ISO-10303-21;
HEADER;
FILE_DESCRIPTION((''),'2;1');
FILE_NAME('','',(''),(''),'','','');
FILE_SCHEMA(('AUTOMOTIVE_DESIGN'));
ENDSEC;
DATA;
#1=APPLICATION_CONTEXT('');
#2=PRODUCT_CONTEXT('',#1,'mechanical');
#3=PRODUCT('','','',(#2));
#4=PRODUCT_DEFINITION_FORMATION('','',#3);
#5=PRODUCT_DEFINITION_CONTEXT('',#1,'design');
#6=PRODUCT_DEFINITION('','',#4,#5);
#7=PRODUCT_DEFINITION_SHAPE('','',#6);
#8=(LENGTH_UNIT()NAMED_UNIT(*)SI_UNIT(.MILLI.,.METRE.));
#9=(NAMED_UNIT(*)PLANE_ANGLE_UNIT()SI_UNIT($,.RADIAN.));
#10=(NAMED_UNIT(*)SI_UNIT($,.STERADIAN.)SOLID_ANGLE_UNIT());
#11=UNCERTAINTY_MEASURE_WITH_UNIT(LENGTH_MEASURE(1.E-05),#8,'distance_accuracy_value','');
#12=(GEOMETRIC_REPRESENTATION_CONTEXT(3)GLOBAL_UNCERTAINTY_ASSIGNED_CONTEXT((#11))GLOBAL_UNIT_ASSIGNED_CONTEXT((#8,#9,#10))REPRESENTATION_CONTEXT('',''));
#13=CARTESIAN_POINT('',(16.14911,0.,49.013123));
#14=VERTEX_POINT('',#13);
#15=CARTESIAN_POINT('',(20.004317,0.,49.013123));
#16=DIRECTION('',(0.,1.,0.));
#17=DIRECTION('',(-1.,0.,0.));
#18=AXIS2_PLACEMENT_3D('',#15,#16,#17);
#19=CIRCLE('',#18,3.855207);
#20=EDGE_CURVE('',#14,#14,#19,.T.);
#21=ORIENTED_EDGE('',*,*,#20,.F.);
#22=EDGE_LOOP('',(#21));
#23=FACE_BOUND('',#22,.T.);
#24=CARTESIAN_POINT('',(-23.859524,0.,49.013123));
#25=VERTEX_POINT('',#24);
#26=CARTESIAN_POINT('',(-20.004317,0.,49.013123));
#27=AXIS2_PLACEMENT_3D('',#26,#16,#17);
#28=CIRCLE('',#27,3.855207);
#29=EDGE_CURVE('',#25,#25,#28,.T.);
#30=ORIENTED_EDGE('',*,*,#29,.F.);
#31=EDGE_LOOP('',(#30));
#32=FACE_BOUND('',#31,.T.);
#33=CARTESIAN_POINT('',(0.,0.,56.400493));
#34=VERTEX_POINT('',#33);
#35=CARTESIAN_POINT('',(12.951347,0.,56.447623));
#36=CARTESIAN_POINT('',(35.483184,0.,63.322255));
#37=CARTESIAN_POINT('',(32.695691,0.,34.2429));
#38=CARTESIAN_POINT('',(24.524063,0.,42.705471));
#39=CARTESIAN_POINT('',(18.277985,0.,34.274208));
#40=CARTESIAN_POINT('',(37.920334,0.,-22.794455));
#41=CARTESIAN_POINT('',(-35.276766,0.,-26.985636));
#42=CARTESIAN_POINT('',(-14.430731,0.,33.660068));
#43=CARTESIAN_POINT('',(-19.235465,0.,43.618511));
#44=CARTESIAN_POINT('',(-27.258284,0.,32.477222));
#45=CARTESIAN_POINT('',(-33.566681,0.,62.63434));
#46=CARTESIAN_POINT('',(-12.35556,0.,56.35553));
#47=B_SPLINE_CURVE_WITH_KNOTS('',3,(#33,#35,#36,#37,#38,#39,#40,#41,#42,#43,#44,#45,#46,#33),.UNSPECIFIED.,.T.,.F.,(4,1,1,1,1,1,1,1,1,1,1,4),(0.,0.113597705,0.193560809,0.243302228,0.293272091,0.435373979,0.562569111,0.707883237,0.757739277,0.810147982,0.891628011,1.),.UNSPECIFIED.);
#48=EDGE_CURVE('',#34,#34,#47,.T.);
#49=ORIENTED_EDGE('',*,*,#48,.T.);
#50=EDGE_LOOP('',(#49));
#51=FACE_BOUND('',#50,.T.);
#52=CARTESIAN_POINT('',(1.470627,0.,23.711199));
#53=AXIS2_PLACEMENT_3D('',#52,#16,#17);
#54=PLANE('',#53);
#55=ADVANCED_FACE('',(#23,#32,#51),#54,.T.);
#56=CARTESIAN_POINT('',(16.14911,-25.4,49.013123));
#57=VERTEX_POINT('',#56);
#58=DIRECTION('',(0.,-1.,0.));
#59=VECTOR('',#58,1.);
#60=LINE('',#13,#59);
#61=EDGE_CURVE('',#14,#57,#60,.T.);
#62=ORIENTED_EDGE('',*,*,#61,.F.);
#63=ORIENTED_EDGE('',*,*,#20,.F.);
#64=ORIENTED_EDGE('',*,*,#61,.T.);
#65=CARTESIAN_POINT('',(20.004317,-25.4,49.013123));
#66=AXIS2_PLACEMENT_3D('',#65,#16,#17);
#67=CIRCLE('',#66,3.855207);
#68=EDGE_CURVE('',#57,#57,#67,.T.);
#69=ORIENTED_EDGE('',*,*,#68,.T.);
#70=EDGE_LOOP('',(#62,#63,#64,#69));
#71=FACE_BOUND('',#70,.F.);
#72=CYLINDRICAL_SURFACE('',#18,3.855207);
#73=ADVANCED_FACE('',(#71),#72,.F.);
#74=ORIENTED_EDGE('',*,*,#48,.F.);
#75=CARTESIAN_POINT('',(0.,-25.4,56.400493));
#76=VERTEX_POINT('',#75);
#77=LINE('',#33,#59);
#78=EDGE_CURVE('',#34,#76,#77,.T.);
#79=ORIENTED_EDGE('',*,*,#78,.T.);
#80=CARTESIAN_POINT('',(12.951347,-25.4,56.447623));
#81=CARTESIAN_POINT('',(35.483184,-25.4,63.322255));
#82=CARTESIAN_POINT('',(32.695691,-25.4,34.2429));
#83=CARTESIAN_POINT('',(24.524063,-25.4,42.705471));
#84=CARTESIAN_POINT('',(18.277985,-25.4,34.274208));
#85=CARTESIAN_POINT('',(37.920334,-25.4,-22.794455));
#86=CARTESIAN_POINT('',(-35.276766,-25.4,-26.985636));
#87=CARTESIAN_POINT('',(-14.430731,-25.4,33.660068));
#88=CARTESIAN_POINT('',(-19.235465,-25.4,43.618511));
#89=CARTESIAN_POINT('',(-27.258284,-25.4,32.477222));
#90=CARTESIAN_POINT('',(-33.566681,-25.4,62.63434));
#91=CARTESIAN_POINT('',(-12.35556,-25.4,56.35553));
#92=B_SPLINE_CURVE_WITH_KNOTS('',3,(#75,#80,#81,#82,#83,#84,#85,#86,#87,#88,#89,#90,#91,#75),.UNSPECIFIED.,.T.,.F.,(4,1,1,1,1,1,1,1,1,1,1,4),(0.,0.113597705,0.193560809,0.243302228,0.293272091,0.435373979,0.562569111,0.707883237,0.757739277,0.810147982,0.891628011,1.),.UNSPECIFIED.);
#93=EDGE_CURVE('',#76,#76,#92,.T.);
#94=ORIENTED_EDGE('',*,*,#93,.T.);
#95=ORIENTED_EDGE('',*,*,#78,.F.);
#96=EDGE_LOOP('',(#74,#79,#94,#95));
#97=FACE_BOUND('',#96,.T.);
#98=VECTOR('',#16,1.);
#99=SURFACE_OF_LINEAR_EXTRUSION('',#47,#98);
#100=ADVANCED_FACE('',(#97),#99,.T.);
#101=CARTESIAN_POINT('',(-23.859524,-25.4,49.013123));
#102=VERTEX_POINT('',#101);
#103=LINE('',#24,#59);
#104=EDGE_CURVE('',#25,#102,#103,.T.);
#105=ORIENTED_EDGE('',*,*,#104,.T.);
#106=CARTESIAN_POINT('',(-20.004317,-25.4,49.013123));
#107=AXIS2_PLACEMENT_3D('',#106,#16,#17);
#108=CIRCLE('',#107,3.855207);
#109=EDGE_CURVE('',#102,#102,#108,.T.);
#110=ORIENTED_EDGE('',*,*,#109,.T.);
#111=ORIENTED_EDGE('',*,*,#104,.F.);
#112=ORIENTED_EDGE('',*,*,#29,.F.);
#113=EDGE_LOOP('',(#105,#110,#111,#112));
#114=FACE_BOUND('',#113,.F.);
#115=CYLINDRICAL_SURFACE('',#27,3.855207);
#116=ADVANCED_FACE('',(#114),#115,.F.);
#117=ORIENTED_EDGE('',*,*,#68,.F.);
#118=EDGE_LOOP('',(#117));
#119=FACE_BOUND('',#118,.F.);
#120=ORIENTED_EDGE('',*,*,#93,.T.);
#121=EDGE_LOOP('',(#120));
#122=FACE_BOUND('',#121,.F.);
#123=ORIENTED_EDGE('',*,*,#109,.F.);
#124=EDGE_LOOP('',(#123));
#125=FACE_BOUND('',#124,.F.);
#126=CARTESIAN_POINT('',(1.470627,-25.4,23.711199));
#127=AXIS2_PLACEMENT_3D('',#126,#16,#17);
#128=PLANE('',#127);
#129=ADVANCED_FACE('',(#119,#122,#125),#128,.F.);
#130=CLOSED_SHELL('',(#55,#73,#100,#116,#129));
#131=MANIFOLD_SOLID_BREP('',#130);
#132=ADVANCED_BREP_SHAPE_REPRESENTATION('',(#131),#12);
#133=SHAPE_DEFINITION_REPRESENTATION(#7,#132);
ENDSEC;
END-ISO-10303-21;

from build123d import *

# Parameters (mm, degrees)
F1_DEPTH = 25.4
F2_R     = 3.8552070455
F3_DEPTH = 25.4


with BuildPart() as f1:
    # F0 (on Front) → F1 (new body)
    with BuildSketch(Plane.XZ):
        with BuildLine():
            add(Edge.make_bspline(
                [(0, 56.4004927874), (12.9513470103, 56.4476232034), (35.483183776, 63.3222548831), (32.6956909361, 34.242900302), (24.5240628547, 42.705470779), (18.2779847082, 34.2742080669), (37.9203335619, -22.7944549297), (-35.2767660942, -26.9856362971), (-14.4307310077, 33.6600684142), (-19.2354647919, 43.6185108747), (-27.2582836419, 32.4772222117), (-33.566681413, 62.6343399082), (-12.355559789, 56.3555304624), (0, 56.4004927874)],
                knots=[0, 0, 0, 0, 0.1135977048, 0.1935608092, 0.243302228, 0.2932720909, 0.4353739792, 0.5625691115, 0.7078832367, 0.7577392767, 0.8101479815, 0.8916280111, 1, 1, 1, 1], degree=3))
        make_face()
    extrude(amount=F1_DEPTH)

    # F2 (on face) → F3 (cut)
    with BuildSketch(Plane(origin=(0, 0, 0), x_dir=(-1, 0, 0), z_dir=(0, 1, 0))):
        with Locations((20.0043171644, 49.0131229162)):
            Circle(F2_R)
        with Locations((-20.0043171644, 49.0131229162)):
            Circle(F2_R)
    extrude(amount=-F3_DEPTH, mode=Mode.SUBTRACT)


solid = f1.part
